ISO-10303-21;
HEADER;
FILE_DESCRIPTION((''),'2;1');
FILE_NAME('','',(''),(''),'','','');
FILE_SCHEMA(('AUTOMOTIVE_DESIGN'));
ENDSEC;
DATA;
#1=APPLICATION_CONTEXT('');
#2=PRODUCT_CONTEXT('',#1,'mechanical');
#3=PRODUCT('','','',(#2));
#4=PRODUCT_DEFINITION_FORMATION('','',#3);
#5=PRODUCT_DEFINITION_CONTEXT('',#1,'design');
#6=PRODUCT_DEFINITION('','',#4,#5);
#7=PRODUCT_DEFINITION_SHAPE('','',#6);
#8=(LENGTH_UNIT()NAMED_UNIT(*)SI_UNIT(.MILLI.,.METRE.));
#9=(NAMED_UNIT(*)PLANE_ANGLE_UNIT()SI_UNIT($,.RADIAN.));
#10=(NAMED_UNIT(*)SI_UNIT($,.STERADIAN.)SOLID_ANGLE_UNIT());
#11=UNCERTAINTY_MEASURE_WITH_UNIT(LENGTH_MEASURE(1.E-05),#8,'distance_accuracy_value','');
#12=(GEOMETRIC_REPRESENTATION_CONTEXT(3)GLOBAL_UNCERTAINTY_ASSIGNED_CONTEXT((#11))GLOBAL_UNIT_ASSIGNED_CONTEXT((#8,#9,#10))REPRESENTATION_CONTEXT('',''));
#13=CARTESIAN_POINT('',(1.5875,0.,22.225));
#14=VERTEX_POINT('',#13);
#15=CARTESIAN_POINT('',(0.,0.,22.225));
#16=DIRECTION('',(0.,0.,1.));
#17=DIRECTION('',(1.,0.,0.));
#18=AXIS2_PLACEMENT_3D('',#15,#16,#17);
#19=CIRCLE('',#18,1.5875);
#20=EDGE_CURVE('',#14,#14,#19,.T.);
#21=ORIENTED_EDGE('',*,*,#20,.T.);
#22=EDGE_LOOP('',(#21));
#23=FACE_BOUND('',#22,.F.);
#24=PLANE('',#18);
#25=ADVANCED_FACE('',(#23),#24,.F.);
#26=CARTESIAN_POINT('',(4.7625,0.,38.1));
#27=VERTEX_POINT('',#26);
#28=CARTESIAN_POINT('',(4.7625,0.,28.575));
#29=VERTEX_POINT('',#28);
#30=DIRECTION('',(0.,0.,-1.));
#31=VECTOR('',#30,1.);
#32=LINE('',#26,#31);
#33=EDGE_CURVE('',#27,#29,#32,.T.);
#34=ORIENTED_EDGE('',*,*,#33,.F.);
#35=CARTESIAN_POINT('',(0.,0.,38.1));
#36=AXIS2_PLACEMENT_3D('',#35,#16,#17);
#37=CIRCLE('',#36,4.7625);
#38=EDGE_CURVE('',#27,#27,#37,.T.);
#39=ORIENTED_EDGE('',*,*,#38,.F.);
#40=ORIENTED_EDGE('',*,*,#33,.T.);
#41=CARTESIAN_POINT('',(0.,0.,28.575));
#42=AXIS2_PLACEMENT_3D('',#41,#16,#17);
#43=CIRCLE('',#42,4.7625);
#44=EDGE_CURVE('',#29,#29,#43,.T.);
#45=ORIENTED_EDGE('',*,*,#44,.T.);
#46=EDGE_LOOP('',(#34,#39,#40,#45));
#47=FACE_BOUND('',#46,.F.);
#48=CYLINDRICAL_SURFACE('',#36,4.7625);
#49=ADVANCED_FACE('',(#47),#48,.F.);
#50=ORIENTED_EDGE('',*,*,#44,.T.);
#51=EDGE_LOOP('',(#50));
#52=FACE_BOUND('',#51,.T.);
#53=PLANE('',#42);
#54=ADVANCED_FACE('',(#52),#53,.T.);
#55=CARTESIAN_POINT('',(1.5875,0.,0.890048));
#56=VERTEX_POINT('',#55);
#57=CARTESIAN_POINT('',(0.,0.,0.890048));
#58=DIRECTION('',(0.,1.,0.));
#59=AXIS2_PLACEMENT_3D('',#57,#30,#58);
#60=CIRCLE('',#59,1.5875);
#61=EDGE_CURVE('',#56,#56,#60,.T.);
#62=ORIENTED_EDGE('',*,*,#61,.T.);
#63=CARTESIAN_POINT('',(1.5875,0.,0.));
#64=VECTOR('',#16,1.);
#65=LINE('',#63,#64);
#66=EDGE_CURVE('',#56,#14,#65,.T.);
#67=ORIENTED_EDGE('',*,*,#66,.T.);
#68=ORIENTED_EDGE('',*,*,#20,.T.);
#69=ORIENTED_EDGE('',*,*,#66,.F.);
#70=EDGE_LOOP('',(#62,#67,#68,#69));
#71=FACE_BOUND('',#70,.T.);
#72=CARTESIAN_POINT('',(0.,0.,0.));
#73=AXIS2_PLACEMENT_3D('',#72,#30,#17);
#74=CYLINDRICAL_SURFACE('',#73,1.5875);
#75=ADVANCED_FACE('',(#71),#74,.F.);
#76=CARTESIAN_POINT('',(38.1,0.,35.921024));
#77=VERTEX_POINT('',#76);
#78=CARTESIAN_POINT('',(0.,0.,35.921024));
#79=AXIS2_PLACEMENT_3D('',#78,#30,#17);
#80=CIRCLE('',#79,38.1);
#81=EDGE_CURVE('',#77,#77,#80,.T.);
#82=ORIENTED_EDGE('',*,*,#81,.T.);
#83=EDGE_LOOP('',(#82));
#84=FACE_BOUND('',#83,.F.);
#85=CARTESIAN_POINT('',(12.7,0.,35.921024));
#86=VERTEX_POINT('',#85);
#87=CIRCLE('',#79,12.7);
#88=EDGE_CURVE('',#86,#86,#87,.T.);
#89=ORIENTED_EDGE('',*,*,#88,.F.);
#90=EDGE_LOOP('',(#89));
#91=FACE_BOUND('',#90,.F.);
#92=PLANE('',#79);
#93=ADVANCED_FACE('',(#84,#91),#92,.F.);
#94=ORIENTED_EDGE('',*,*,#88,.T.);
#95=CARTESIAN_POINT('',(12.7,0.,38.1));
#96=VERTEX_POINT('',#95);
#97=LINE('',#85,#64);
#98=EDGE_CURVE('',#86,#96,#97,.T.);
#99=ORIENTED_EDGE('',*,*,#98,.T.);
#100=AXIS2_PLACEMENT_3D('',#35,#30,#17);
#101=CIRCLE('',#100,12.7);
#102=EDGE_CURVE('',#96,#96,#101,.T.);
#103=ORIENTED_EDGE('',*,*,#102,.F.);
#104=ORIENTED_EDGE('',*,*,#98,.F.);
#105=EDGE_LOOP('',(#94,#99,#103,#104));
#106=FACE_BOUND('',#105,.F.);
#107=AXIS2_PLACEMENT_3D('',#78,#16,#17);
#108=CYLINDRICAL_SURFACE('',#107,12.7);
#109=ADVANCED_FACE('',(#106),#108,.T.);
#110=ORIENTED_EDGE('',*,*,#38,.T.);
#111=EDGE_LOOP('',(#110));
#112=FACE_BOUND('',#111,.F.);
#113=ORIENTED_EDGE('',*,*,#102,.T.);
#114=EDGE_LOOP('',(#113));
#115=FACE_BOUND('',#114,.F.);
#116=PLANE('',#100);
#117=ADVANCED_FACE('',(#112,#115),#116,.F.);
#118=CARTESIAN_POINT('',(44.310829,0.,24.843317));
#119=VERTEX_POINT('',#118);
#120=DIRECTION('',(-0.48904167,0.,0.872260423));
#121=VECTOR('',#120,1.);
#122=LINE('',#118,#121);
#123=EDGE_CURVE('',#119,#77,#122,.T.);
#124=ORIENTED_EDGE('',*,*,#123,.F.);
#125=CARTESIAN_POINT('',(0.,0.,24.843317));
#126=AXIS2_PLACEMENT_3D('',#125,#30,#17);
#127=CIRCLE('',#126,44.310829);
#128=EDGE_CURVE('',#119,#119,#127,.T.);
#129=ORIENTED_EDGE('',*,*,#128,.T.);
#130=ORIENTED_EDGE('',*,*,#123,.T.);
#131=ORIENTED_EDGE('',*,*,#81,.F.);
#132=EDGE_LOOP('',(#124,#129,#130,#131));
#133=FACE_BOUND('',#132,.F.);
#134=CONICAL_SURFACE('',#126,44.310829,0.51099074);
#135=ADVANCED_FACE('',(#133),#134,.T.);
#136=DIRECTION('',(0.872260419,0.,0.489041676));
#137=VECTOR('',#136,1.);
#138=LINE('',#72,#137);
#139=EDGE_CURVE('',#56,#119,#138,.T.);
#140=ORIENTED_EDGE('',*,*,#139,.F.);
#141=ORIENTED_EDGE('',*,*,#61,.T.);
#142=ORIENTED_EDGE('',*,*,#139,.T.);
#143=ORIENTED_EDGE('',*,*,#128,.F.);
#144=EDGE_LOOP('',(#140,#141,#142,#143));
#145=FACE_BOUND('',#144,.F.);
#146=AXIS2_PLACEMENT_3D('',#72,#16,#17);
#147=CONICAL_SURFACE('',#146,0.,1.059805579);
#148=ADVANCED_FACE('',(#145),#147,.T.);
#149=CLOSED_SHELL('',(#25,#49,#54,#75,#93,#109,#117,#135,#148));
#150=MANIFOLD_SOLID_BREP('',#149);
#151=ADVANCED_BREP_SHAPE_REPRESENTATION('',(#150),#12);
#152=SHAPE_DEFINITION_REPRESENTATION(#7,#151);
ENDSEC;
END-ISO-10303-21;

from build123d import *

# Parameters (mm, degrees)
F2_R     = 4.7625
F3_DEPTH = 9.525
F4_R     = 1.5875
F5_DEPTH = 22.225


with BuildPart() as f1:
    # F0 (on Front) → F1 (revolve)
    with BuildSketch(Plane.XZ):
        Polygon((0, 38.1), (0, 0), (44.310829, 24.843317), (38.1, 35.921024), (12.7, 35.921024), (12.7, 38.1), align=None)
    revolve(axis=Axis((0, 0, 19.05), (0, 0, -1)))

    # F2 (on face) → F3 (cut)
    with BuildSketch(Plane.XY.offset(38.1)):
        Circle(F2_R)
    extrude(amount=-F3_DEPTH, mode=Mode.SUBTRACT)

    # F4 (on Top) → F5 (cut)
    with BuildSketch(Plane.XY):
        Circle(F4_R)
    extrude(amount=F5_DEPTH, mode=Mode.SUBTRACT)


solid = f1.part
